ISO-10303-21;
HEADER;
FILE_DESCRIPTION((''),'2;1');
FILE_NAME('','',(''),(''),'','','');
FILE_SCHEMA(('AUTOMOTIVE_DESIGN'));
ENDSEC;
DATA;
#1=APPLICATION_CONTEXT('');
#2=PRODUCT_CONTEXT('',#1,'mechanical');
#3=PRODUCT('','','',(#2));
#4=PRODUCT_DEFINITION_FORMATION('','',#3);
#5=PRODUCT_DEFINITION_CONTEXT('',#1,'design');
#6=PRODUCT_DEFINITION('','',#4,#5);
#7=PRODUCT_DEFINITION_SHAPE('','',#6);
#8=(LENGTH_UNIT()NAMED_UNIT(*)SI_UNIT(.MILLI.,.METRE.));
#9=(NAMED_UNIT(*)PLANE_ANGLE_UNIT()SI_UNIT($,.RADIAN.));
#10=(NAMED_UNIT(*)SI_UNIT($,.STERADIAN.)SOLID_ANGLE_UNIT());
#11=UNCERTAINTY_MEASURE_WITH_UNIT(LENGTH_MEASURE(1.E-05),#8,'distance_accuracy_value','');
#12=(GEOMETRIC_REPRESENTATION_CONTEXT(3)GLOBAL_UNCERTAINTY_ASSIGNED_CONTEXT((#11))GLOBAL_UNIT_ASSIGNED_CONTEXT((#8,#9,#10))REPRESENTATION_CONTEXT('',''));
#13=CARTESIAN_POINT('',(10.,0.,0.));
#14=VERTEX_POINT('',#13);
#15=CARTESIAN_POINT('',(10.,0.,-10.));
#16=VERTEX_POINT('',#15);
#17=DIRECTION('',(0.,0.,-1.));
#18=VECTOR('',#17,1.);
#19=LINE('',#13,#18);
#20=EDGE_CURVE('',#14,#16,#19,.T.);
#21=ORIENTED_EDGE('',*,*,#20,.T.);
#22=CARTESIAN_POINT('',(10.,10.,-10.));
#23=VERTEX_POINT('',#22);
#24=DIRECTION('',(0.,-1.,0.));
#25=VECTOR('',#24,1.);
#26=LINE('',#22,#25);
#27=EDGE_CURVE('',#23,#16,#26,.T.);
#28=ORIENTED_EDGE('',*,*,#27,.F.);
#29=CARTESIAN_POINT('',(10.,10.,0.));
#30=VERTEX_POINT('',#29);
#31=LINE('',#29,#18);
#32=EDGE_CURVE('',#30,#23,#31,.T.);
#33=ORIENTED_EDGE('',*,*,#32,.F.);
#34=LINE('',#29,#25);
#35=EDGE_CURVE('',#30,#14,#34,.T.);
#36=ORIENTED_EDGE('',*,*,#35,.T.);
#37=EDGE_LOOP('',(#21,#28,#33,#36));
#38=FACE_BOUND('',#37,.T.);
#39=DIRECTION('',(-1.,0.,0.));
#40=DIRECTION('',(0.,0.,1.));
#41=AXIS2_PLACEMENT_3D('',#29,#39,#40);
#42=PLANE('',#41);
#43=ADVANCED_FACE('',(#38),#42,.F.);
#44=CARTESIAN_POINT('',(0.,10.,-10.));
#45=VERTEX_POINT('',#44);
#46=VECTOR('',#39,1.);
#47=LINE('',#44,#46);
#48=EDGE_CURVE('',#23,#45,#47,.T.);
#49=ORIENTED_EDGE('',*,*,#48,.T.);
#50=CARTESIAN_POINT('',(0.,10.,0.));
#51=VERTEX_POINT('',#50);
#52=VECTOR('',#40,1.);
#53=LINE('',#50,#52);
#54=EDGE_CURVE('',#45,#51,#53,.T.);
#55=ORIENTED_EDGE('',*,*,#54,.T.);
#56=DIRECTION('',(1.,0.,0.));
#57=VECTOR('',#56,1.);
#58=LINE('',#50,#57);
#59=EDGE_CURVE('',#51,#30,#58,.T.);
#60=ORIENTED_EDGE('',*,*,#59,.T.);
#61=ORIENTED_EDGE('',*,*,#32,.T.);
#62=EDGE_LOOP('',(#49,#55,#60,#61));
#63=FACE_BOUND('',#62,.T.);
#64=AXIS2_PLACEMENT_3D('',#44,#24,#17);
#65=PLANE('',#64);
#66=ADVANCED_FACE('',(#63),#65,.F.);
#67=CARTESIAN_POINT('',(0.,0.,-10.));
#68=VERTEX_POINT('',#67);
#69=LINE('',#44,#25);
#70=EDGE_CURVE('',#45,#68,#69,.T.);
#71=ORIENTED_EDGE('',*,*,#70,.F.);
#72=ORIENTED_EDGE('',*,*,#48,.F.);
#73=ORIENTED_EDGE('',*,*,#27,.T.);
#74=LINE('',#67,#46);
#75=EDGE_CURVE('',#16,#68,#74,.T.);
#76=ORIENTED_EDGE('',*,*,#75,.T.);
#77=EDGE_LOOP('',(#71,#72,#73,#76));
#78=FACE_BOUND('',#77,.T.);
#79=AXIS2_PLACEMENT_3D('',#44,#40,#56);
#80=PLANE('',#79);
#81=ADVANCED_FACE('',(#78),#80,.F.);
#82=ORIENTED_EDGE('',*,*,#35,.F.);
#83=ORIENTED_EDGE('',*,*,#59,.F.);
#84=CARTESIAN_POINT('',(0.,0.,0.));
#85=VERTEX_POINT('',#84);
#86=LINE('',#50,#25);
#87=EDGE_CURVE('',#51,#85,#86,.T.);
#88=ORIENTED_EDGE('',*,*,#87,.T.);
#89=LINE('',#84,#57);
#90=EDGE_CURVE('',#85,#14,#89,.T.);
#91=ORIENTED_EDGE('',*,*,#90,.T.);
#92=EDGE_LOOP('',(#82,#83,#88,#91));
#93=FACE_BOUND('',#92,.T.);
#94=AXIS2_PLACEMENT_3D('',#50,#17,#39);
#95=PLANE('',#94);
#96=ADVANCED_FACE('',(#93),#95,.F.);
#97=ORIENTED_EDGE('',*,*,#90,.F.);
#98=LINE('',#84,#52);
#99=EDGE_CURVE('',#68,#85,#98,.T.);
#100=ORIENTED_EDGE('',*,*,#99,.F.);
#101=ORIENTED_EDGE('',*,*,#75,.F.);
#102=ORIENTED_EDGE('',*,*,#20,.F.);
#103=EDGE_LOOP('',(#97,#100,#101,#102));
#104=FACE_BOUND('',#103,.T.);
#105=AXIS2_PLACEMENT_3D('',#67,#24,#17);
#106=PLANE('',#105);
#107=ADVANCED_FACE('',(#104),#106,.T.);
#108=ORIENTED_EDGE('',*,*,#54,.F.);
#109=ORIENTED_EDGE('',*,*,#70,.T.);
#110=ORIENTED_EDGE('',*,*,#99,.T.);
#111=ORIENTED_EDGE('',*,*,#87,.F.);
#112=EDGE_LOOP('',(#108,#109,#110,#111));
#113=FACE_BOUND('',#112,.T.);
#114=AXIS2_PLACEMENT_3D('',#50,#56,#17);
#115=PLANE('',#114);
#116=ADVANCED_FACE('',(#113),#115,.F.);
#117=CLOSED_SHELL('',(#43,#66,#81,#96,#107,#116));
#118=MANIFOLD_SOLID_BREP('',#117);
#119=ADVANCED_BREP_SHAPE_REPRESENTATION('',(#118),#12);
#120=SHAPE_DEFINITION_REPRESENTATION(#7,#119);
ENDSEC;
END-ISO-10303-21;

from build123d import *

# Parameters (mm, degrees)
SKETCH1_W      = 10
SKETCH1_H      = 10
EXTRUDE1_DEPTH = 10


with BuildPart() as part:
    # Sketch1 → Extrude1 (new body)
    with BuildSketch(Plane(origin=(0, 0, 0), x_dir=(1, 0, 0), z_dir=(0, 1, 0))):
        with Locations((5, 5)):
            Rectangle(SKETCH1_W, SKETCH1_H)
    extrude(amount=EXTRUDE1_DEPTH)


solid = part.part
